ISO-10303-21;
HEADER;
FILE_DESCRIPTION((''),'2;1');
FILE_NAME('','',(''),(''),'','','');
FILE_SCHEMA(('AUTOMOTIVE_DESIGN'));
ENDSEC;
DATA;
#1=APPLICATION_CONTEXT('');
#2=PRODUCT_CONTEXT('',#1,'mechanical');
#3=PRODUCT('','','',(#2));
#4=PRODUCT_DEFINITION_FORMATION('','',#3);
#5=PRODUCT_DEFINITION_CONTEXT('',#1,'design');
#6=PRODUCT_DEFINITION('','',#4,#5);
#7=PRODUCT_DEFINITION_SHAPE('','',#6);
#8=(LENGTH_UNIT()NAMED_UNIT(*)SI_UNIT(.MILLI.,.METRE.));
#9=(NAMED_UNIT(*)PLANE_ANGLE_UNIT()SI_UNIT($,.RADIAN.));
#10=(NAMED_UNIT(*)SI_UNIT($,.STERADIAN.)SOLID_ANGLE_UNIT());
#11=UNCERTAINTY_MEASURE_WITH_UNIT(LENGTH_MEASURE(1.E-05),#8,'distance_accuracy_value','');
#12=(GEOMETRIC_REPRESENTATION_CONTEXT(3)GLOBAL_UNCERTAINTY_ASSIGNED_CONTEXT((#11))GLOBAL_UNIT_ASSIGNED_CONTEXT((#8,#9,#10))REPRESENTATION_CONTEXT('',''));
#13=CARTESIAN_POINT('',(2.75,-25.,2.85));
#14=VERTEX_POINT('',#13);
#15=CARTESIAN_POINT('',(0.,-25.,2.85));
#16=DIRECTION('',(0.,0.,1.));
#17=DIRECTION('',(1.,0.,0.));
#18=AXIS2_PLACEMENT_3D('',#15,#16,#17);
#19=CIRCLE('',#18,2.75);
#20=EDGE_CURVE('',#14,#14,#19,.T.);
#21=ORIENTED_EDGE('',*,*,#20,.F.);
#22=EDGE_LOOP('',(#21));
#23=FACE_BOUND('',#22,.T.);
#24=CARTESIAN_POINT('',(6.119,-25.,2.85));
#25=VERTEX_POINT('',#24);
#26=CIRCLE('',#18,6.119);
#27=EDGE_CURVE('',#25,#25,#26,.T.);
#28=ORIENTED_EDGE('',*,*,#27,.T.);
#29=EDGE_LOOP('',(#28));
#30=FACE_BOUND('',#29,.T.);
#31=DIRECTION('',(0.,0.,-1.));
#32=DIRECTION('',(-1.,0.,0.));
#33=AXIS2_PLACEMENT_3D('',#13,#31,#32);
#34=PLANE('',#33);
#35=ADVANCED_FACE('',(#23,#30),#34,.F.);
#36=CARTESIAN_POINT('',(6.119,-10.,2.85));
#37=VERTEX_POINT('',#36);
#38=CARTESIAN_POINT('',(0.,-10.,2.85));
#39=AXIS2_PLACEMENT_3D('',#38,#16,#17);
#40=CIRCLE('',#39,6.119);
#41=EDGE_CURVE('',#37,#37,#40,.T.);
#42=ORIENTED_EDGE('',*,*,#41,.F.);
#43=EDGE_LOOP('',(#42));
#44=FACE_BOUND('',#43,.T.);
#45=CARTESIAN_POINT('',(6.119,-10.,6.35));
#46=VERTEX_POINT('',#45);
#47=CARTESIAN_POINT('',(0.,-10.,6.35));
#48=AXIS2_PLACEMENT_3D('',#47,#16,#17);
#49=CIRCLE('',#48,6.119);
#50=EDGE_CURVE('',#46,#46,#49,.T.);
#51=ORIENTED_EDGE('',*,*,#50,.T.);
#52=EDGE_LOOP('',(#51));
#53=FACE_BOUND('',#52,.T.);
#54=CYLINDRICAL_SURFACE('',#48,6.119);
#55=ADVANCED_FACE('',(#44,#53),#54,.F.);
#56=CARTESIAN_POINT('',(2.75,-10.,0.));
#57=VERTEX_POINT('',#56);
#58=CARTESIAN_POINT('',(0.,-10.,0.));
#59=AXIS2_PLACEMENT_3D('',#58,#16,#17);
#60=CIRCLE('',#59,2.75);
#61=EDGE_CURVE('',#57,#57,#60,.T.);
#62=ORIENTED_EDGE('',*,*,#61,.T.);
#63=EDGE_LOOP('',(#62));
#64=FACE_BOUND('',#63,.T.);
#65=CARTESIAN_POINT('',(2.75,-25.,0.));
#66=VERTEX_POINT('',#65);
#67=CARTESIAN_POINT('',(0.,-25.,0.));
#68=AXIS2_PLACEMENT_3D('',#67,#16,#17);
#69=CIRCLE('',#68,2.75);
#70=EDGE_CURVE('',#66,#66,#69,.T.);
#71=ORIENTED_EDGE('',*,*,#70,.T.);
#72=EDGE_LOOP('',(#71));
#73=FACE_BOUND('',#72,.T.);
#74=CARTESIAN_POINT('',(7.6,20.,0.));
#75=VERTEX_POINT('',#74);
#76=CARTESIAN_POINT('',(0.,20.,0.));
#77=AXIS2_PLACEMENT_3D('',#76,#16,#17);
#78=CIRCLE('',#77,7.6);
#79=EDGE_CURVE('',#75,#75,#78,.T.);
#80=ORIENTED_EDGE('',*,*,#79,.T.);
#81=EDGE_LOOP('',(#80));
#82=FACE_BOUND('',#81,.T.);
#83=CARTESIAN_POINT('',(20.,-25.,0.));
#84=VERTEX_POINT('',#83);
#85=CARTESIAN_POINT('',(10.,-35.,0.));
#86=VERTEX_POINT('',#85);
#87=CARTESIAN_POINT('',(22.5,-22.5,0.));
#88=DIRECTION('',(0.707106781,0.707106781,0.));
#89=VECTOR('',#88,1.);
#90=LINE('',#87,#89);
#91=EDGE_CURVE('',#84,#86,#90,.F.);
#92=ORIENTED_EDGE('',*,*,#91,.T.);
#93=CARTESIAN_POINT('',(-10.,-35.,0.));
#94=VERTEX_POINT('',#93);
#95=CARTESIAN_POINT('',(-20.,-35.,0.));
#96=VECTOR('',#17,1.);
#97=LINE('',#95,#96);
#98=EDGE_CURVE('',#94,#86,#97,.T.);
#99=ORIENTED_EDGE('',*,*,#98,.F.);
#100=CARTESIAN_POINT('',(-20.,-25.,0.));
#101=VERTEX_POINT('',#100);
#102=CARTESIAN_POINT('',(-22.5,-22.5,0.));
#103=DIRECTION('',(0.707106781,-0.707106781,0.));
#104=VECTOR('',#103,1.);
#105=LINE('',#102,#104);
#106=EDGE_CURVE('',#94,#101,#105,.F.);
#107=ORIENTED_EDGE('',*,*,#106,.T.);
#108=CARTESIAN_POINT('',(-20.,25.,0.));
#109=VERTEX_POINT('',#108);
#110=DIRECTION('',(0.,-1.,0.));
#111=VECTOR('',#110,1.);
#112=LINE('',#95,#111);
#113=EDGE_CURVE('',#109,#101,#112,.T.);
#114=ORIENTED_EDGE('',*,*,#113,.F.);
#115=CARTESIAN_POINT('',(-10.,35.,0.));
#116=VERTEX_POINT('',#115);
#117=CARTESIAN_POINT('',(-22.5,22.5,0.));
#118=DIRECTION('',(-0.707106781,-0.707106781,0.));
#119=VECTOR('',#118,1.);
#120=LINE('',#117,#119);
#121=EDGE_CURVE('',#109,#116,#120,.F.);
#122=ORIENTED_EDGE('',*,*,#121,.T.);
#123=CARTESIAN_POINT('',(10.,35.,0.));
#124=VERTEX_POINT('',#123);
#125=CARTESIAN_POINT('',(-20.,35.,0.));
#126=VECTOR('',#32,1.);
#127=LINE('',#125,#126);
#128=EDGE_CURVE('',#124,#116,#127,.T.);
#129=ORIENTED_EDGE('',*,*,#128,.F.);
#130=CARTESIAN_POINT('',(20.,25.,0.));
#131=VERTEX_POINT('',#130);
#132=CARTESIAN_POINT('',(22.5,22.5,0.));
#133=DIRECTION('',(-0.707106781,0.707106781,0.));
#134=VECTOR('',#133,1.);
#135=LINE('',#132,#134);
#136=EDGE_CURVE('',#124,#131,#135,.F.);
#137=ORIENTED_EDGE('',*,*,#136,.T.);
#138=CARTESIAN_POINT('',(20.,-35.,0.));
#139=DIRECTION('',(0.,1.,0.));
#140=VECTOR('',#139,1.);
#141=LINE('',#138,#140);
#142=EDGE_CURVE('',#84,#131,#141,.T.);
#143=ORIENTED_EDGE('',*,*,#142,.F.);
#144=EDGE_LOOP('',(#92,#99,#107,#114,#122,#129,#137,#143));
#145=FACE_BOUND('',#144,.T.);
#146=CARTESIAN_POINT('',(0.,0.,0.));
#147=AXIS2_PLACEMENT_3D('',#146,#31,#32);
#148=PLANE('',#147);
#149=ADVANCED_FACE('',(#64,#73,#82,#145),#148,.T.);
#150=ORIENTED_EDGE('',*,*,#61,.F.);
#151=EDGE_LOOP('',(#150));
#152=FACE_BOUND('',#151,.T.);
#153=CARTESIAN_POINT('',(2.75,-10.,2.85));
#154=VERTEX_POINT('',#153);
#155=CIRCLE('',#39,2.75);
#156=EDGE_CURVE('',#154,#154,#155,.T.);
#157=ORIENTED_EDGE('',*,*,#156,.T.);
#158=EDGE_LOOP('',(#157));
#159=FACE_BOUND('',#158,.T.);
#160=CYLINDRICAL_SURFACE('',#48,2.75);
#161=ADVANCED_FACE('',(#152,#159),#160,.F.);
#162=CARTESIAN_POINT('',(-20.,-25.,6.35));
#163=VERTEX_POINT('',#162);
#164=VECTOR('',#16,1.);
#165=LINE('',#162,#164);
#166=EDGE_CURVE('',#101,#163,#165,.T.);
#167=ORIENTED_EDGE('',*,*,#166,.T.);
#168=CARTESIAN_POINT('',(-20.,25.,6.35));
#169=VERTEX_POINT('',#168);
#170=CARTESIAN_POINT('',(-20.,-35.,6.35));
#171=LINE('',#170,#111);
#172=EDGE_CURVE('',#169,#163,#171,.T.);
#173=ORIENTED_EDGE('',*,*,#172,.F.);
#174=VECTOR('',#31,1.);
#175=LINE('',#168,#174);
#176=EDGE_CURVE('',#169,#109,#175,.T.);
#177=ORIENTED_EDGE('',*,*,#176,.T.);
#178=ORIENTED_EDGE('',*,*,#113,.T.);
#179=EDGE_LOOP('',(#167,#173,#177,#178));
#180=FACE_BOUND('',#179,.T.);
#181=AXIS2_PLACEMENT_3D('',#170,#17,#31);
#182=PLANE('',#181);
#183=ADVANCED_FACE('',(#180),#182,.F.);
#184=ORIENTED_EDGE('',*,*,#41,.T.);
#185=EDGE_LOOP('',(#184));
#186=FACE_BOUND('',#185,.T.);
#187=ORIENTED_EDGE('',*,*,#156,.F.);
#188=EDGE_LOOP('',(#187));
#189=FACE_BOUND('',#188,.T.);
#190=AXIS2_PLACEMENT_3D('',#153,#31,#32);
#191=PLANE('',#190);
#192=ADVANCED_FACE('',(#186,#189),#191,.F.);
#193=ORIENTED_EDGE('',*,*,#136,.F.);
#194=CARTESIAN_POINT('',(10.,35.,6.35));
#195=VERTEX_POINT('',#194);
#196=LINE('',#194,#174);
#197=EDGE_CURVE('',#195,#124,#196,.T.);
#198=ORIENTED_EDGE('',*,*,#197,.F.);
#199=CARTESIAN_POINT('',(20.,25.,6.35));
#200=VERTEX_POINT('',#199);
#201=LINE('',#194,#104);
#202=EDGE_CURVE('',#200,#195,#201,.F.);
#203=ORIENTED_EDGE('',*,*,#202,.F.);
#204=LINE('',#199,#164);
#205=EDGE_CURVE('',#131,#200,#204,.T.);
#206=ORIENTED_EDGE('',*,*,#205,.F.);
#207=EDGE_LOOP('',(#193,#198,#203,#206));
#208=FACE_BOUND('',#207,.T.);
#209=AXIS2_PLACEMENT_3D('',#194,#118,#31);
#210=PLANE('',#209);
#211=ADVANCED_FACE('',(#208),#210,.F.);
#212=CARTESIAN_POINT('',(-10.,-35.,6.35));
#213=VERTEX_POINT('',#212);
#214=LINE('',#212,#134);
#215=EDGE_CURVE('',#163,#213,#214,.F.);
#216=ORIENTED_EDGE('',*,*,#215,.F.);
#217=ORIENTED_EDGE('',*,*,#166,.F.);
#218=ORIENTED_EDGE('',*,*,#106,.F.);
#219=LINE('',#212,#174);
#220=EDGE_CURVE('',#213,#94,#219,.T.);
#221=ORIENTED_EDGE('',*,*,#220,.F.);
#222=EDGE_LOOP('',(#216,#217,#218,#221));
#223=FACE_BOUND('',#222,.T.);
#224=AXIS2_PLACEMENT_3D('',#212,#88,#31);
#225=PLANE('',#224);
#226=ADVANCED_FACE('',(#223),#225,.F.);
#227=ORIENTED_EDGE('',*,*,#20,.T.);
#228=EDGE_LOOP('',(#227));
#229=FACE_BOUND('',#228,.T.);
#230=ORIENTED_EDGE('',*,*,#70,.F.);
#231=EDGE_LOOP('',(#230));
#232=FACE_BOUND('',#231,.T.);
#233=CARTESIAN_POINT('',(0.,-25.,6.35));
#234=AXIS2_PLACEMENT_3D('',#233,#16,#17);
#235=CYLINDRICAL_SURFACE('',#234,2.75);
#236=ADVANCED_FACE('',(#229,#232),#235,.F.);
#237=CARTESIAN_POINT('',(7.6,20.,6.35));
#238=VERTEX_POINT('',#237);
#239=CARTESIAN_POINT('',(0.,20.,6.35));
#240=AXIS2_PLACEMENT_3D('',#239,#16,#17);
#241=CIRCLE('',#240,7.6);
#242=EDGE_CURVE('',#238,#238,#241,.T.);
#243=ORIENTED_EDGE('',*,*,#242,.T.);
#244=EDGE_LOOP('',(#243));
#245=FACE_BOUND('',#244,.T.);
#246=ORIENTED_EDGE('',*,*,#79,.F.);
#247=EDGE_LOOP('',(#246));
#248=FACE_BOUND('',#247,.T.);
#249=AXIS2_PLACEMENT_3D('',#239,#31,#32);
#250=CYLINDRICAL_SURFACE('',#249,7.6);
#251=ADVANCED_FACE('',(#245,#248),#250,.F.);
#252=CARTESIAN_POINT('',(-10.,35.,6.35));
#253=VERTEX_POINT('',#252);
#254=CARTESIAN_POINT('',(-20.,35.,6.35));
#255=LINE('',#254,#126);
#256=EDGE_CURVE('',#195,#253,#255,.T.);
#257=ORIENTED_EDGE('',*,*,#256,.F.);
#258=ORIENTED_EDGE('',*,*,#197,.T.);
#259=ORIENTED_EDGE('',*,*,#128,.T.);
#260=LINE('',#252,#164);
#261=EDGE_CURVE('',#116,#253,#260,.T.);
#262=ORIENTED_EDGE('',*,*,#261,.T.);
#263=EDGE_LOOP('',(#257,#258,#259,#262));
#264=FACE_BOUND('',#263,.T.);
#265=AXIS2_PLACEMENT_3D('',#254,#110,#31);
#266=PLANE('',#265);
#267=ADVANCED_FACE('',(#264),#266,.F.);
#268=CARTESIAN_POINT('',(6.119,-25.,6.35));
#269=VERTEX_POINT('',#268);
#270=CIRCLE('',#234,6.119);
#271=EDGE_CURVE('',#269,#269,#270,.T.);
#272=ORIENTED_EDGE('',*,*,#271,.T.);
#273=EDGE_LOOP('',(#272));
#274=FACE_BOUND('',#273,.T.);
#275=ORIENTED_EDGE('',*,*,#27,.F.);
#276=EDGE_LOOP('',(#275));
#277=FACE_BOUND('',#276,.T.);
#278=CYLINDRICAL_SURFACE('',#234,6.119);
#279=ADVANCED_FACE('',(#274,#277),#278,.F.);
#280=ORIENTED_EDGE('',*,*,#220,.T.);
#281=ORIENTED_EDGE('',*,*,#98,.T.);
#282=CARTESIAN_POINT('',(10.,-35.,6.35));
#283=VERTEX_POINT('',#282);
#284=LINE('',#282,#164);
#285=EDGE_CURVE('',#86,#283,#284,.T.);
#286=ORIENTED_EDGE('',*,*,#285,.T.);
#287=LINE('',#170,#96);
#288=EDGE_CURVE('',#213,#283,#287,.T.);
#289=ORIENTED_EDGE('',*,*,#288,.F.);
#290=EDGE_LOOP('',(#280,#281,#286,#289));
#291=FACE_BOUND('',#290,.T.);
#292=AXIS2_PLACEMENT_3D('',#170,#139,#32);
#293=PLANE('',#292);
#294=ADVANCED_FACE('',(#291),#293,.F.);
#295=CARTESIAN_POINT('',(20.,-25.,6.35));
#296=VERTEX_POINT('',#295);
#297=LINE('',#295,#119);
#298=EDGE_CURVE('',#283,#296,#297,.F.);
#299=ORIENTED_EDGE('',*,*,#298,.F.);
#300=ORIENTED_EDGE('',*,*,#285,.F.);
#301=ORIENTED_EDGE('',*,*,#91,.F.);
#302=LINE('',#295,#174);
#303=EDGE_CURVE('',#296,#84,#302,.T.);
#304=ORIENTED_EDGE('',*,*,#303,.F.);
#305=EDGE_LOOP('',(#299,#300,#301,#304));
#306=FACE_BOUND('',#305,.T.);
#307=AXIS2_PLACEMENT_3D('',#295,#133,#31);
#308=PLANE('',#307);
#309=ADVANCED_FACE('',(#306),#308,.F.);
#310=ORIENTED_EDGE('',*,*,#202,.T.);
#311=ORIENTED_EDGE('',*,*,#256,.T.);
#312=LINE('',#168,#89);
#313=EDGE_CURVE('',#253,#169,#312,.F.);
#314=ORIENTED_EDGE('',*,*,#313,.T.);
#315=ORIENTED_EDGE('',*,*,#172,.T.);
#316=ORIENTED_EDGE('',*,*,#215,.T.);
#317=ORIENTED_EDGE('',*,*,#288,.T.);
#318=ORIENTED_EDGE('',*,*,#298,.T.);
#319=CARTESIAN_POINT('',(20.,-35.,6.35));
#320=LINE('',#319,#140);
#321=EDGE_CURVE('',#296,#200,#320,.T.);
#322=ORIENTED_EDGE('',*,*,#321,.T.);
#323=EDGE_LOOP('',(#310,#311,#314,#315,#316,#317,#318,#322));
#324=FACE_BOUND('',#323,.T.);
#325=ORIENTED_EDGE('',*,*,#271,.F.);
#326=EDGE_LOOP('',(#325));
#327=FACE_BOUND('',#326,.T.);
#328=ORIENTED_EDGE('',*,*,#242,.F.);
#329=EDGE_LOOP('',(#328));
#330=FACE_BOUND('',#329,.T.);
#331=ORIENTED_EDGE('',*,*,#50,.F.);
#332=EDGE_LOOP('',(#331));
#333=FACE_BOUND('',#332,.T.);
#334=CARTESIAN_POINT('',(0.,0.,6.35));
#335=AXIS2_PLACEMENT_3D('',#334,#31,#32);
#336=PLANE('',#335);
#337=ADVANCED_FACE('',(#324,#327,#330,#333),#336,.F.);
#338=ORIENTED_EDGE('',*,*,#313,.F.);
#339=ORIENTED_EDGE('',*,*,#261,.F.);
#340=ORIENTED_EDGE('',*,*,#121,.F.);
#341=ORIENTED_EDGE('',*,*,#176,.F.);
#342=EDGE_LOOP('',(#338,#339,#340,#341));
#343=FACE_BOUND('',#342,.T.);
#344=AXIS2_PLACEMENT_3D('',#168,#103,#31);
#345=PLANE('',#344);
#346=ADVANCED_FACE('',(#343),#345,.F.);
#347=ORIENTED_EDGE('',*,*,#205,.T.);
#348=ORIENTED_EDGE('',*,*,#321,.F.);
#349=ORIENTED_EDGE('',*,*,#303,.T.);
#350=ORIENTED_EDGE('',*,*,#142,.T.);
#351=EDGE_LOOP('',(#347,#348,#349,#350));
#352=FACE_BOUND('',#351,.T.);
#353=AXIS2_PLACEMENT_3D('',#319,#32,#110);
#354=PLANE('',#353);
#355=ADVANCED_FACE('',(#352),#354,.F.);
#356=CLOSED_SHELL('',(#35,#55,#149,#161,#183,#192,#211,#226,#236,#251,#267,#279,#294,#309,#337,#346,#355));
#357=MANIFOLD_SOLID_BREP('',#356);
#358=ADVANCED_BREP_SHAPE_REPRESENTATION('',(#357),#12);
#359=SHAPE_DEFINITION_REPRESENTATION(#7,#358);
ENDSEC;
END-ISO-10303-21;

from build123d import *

# Parameters (mm, degrees)
SKETCH1_W                               = 40
SKETCH1_H                               = 70
SKETCH1_R                               = 7.6
BOSS_EXTRUDE1_DEPTH                     = 6.35
CBORE_FOR_M5_HEX_HEAD_BOLT1_D           = 5.5
CBORE_FOR_M5_HEX_HEAD_BOLT1_CBORE_D     = 12.238
CBORE_FOR_M5_HEX_HEAD_BOLT1_CBORE_DEPTH = 3.5
CHAMFER1_SIZE                           = 10


with BuildPart() as part:
    # Sketch1 → Boss-Extrude1 (new body)
    with BuildSketch(Plane.XY):
        Rectangle(SKETCH1_W, SKETCH1_H)
        with Locations((0, 20)):
            Circle(SKETCH1_R, mode=Mode.SUBTRACT)
    extrude(amount=BOSS_EXTRUDE1_DEPTH)

    # CBORE for M5 Hex Head Bolt1 (through all)
    with Locations(Plane.XY.offset(6.35)):
        with Locations((0, -10), (0, -25)):
            CounterBoreHole(CBORE_FOR_M5_HEX_HEAD_BOLT1_D / 2, CBORE_FOR_M5_HEX_HEAD_BOLT1_CBORE_D / 2, CBORE_FOR_M5_HEX_HEAD_BOLT1_CBORE_DEPTH)

    # Chamfer1
    chamfer1_edges = [part.edges().sort_by_distance(p)[0] for p in [
        (-20, 35, 3.175),
        (20, 35, 3.175),
        (20, -35, 3.175),
        (-20, -35, 3.175),
    ]]
    chamfer(chamfer1_edges, length=CHAMFER1_SIZE)


solid = part.part
